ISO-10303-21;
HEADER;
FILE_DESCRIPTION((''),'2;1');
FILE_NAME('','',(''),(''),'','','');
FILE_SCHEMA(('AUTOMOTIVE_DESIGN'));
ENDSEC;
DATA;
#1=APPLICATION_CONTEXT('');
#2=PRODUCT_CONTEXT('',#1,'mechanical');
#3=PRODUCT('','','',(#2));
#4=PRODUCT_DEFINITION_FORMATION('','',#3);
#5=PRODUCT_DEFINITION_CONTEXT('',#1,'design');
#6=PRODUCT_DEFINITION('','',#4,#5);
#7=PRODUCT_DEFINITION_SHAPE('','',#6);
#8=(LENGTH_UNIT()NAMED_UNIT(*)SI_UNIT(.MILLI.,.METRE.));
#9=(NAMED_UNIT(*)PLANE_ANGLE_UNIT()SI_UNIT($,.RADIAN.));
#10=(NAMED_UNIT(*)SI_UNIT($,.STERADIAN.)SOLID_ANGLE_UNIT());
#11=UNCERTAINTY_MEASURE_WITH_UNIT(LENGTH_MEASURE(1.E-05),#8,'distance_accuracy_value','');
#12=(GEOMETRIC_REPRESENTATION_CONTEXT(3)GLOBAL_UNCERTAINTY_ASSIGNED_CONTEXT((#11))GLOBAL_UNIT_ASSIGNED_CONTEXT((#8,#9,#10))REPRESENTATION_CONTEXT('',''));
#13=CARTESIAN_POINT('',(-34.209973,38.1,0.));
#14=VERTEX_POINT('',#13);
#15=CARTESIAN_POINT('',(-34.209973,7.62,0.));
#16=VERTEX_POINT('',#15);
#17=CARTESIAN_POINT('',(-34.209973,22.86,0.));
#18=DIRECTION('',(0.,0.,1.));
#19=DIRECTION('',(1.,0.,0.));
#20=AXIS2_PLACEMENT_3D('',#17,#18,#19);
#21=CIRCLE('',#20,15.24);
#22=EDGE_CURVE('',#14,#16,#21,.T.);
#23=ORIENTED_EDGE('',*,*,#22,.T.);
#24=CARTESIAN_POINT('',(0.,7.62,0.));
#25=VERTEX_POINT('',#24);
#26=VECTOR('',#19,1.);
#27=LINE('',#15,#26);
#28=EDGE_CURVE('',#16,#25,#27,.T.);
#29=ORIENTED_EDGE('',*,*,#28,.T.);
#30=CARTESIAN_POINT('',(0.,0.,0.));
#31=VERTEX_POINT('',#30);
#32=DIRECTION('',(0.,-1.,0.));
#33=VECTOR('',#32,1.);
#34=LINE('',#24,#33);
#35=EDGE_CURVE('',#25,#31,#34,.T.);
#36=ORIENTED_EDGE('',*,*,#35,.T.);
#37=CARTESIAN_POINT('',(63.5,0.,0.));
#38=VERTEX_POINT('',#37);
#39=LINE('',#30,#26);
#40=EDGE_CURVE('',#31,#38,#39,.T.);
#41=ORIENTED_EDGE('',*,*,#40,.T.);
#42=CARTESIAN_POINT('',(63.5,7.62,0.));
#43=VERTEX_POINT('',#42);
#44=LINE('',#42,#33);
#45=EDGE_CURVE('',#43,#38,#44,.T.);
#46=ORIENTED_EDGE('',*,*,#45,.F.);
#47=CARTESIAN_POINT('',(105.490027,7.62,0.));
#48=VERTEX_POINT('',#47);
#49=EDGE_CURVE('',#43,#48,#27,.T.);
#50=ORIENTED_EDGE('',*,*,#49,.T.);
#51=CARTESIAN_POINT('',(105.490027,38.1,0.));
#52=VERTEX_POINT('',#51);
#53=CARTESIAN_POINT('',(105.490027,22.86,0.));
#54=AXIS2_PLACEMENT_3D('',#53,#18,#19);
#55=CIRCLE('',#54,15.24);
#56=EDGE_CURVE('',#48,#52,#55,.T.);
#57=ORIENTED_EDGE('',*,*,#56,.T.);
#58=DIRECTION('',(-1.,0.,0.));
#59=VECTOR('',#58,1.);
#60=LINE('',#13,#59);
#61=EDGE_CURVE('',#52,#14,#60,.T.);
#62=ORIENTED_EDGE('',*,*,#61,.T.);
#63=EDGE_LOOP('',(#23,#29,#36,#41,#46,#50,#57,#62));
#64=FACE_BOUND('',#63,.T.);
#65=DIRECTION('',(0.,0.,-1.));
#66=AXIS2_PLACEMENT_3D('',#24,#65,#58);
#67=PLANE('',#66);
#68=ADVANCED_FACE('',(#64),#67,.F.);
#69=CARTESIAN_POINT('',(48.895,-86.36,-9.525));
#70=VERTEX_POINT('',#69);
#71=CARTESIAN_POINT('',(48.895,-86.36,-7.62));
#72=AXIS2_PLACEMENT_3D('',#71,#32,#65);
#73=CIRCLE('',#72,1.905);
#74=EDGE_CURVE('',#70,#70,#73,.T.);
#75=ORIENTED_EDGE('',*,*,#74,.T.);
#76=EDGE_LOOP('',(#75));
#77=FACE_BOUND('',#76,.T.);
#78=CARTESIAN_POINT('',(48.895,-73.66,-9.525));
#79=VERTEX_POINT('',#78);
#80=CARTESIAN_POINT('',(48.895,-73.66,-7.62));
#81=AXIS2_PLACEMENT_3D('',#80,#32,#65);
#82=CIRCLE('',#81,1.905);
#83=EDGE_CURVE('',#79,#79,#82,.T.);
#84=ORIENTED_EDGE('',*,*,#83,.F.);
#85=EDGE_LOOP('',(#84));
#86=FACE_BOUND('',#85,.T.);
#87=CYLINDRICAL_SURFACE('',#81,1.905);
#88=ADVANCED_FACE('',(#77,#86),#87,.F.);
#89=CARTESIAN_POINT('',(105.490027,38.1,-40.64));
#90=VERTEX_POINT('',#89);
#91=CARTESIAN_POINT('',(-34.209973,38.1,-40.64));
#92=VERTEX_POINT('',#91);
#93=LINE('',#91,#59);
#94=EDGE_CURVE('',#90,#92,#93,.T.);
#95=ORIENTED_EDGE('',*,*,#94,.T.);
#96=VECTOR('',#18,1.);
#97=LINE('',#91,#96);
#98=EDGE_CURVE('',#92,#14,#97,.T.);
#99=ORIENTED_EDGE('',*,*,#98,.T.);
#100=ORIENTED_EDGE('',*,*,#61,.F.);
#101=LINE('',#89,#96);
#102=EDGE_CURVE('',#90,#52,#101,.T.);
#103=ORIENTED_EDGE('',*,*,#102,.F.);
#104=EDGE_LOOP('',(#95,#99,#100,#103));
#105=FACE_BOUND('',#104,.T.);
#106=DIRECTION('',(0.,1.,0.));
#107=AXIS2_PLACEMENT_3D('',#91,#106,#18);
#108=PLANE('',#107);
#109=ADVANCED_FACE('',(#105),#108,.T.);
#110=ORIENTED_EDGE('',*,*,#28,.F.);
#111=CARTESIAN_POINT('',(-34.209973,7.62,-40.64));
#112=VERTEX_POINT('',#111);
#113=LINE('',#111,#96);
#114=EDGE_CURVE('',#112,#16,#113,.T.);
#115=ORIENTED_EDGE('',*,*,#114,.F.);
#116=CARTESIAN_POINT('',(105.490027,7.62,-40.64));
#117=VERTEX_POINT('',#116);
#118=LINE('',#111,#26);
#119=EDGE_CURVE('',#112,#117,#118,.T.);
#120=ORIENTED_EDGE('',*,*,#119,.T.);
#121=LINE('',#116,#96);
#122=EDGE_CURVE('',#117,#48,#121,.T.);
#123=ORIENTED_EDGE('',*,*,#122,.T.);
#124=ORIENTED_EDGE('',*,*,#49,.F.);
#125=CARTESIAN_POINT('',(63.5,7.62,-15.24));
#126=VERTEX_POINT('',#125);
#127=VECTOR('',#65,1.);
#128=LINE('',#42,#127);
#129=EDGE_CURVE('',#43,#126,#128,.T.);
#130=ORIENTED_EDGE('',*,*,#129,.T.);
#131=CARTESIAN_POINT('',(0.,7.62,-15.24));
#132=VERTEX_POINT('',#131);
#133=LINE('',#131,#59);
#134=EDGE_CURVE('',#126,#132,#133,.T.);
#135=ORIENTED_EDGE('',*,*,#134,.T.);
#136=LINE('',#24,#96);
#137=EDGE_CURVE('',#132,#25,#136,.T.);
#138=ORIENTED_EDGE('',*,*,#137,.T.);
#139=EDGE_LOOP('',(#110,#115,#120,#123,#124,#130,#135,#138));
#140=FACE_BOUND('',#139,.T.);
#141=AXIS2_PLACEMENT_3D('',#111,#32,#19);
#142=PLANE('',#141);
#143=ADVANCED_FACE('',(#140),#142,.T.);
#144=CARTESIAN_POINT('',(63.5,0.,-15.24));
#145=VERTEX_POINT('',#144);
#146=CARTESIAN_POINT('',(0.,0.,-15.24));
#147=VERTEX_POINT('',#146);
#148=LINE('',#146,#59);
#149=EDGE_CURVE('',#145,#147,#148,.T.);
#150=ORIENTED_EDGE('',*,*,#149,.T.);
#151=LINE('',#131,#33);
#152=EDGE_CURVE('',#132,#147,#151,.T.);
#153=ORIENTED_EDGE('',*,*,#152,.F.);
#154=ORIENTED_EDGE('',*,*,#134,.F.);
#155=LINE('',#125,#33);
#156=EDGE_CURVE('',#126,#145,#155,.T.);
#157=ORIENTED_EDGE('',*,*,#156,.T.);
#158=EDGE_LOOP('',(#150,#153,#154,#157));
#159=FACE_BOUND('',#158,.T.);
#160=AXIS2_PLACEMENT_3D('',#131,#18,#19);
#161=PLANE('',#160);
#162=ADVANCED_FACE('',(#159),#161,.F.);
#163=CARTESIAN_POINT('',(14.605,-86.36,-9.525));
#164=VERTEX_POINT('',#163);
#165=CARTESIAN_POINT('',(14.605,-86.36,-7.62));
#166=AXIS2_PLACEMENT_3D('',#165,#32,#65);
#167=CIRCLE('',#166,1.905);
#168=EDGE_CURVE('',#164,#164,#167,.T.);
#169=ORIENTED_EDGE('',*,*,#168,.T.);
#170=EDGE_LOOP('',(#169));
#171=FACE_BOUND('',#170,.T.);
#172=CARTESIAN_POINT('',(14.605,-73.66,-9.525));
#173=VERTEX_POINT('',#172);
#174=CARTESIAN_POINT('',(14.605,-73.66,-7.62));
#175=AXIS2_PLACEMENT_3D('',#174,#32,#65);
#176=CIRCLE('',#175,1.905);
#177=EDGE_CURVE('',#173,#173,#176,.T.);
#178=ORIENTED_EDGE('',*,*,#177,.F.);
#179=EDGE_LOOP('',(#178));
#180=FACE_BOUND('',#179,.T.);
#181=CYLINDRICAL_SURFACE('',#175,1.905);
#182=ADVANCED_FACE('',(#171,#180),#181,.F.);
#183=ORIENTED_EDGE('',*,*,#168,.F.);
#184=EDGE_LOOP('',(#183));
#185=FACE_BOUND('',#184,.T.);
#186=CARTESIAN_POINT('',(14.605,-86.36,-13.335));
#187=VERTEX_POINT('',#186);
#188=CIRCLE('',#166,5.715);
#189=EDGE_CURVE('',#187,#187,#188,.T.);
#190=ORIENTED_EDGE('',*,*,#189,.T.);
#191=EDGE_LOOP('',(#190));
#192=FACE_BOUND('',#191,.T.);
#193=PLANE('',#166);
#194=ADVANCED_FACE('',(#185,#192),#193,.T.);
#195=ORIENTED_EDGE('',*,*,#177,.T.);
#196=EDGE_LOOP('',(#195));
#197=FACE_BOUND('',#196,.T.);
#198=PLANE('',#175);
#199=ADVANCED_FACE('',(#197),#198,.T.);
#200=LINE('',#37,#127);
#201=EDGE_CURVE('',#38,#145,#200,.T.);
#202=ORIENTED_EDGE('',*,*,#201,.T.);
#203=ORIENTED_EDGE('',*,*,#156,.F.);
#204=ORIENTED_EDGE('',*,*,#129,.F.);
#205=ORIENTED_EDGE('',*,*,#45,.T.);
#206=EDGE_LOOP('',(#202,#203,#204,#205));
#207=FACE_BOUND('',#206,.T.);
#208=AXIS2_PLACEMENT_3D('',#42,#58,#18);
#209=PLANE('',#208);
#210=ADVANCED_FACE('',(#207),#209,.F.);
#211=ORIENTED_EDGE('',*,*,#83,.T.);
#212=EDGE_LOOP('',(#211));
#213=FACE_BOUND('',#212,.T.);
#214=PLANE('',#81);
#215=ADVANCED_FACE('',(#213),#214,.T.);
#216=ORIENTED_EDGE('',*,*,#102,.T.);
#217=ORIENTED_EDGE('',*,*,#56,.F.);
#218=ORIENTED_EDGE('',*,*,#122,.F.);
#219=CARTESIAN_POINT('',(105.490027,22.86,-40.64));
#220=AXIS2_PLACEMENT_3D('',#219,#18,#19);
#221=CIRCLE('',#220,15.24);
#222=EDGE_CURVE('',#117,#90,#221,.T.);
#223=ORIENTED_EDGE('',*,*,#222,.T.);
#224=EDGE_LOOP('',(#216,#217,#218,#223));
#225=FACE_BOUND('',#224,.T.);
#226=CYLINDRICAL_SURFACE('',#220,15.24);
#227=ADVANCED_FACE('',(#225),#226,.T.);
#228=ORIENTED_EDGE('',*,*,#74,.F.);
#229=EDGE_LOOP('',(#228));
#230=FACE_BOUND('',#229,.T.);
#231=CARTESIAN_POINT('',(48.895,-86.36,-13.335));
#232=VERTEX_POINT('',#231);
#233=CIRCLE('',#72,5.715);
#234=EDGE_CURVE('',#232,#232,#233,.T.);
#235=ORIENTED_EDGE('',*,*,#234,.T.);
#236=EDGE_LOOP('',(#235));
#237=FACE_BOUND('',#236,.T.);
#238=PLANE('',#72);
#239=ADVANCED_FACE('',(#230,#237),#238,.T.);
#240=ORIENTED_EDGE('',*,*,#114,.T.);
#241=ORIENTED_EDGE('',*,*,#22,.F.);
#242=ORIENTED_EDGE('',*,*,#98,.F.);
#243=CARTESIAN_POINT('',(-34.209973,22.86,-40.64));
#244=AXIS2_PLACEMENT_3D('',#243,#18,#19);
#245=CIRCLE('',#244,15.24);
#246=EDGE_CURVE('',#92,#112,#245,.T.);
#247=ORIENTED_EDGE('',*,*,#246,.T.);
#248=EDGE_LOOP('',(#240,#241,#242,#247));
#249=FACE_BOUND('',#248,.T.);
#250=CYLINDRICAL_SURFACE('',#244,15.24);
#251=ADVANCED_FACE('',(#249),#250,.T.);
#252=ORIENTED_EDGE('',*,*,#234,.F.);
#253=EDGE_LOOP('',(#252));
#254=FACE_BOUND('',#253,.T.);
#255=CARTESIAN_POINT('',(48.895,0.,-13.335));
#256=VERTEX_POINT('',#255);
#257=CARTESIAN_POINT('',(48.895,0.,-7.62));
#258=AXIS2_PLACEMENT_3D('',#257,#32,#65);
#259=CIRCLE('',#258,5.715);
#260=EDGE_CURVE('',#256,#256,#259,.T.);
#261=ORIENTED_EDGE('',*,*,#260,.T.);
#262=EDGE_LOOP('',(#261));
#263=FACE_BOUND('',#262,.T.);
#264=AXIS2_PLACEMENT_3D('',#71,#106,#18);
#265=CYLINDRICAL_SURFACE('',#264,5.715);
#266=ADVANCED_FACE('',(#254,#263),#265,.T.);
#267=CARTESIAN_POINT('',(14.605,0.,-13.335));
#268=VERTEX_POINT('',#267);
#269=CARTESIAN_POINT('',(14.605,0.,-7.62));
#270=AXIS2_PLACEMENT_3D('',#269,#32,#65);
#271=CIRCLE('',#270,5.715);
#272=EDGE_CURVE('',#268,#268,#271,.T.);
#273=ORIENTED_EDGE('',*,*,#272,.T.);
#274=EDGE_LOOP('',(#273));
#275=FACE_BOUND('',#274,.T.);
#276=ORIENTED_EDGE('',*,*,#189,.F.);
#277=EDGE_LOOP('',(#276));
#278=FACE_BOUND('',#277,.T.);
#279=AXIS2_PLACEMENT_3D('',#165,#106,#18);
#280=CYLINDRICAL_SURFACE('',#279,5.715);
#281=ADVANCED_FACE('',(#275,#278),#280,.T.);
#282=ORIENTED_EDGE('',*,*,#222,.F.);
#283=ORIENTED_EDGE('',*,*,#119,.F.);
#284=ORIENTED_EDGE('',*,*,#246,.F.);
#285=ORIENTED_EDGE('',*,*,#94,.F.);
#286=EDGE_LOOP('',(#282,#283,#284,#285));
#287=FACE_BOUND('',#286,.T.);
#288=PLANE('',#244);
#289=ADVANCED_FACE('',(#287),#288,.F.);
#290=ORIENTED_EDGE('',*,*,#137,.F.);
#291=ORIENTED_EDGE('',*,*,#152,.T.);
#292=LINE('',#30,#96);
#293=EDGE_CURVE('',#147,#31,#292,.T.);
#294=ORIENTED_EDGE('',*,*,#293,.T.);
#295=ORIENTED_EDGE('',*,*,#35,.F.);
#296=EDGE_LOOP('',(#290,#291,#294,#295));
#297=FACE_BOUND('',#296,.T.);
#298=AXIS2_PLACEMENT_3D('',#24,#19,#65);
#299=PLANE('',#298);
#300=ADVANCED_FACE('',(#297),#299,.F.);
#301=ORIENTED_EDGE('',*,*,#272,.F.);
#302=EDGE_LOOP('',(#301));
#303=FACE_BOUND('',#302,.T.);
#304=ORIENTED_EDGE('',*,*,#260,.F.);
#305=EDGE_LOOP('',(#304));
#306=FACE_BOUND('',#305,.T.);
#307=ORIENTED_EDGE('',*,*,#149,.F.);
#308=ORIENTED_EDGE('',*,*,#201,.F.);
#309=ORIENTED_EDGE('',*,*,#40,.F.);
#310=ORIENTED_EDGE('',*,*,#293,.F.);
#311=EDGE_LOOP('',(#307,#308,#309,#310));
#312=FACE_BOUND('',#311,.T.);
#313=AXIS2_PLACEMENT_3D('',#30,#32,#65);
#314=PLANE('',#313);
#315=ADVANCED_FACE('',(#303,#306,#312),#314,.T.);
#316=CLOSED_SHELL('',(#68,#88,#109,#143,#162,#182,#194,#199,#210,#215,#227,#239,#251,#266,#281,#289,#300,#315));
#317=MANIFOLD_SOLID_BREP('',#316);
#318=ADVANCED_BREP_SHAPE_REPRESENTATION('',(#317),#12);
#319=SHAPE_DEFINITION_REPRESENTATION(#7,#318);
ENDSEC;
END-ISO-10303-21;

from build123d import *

# Parameters (mm, degrees)
SKETCH1_W           = 63.5
SKETCH1_H           = 15.24
BOSS_EXTRUDE1_DEPTH = 7.62
BOSS_EXTRUDE2_DEPTH = 40.64
SKETCH3_R           = 5.715
BOSS_EXTRUDE3_DEPTH = 86.36
SKETCH4_R           = 1.905
CUT_EXTRUDE1_DEPTH  = 12.7


with BuildPart() as part:
    # Sketch1 → Boss-Extrude1 (new body)
    with BuildSketch(Plane(origin=(0, 0, 0), x_dir=(1, 0, 0), z_dir=(0, 1, 0))):
        with Locations((31.75, 7.62)):
            Rectangle(SKETCH1_W, SKETCH1_H)
    extrude(amount=BOSS_EXTRUDE1_DEPTH)

    # Sketch2 → Boss-Extrude2 (add)
    with BuildSketch(Plane.XY):
        with BuildLine():
            Line((-34.2099732, 38.1), (105.4900268, 38.1))
            ThreePointArc((105.4900268, 38.1), (120.7300268, 22.86), (105.4900268, 7.62))
            Line((105.4900268, 7.62), (-34.2099732, 7.62))
            ThreePointArc((-34.2099732, 7.62), (-49.4499732, 22.86), (-34.2099732, 38.1))
        make_face()
    extrude(amount=-BOSS_EXTRUDE2_DEPTH)

    # Sketch3 → Boss-Extrude3 (add)
    with BuildSketch(Plane.XZ):
        with Locations(Location((14.605, -7.62, 0), (0, 0, 270))):
            Circle(SKETCH3_R)
        with Locations(Location((48.895, -7.62, 0), (0, 0, 270))):
            Circle(SKETCH3_R)
    extrude(amount=BOSS_EXTRUDE3_DEPTH)

    # Sketch4 → Cut-Extrude1 (cut)
    with BuildSketch(Plane.XZ.offset(86.36)):
        with Locations(Location((14.605, -7.62, 0), (0, 0, 270))):
            Circle(SKETCH4_R)
        with Locations(Location((48.895, -7.62, 0), (0, 0, 270))):
            Circle(SKETCH4_R)
    extrude(amount=-CUT_EXTRUDE1_DEPTH, mode=Mode.SUBTRACT)


solid = part.part
